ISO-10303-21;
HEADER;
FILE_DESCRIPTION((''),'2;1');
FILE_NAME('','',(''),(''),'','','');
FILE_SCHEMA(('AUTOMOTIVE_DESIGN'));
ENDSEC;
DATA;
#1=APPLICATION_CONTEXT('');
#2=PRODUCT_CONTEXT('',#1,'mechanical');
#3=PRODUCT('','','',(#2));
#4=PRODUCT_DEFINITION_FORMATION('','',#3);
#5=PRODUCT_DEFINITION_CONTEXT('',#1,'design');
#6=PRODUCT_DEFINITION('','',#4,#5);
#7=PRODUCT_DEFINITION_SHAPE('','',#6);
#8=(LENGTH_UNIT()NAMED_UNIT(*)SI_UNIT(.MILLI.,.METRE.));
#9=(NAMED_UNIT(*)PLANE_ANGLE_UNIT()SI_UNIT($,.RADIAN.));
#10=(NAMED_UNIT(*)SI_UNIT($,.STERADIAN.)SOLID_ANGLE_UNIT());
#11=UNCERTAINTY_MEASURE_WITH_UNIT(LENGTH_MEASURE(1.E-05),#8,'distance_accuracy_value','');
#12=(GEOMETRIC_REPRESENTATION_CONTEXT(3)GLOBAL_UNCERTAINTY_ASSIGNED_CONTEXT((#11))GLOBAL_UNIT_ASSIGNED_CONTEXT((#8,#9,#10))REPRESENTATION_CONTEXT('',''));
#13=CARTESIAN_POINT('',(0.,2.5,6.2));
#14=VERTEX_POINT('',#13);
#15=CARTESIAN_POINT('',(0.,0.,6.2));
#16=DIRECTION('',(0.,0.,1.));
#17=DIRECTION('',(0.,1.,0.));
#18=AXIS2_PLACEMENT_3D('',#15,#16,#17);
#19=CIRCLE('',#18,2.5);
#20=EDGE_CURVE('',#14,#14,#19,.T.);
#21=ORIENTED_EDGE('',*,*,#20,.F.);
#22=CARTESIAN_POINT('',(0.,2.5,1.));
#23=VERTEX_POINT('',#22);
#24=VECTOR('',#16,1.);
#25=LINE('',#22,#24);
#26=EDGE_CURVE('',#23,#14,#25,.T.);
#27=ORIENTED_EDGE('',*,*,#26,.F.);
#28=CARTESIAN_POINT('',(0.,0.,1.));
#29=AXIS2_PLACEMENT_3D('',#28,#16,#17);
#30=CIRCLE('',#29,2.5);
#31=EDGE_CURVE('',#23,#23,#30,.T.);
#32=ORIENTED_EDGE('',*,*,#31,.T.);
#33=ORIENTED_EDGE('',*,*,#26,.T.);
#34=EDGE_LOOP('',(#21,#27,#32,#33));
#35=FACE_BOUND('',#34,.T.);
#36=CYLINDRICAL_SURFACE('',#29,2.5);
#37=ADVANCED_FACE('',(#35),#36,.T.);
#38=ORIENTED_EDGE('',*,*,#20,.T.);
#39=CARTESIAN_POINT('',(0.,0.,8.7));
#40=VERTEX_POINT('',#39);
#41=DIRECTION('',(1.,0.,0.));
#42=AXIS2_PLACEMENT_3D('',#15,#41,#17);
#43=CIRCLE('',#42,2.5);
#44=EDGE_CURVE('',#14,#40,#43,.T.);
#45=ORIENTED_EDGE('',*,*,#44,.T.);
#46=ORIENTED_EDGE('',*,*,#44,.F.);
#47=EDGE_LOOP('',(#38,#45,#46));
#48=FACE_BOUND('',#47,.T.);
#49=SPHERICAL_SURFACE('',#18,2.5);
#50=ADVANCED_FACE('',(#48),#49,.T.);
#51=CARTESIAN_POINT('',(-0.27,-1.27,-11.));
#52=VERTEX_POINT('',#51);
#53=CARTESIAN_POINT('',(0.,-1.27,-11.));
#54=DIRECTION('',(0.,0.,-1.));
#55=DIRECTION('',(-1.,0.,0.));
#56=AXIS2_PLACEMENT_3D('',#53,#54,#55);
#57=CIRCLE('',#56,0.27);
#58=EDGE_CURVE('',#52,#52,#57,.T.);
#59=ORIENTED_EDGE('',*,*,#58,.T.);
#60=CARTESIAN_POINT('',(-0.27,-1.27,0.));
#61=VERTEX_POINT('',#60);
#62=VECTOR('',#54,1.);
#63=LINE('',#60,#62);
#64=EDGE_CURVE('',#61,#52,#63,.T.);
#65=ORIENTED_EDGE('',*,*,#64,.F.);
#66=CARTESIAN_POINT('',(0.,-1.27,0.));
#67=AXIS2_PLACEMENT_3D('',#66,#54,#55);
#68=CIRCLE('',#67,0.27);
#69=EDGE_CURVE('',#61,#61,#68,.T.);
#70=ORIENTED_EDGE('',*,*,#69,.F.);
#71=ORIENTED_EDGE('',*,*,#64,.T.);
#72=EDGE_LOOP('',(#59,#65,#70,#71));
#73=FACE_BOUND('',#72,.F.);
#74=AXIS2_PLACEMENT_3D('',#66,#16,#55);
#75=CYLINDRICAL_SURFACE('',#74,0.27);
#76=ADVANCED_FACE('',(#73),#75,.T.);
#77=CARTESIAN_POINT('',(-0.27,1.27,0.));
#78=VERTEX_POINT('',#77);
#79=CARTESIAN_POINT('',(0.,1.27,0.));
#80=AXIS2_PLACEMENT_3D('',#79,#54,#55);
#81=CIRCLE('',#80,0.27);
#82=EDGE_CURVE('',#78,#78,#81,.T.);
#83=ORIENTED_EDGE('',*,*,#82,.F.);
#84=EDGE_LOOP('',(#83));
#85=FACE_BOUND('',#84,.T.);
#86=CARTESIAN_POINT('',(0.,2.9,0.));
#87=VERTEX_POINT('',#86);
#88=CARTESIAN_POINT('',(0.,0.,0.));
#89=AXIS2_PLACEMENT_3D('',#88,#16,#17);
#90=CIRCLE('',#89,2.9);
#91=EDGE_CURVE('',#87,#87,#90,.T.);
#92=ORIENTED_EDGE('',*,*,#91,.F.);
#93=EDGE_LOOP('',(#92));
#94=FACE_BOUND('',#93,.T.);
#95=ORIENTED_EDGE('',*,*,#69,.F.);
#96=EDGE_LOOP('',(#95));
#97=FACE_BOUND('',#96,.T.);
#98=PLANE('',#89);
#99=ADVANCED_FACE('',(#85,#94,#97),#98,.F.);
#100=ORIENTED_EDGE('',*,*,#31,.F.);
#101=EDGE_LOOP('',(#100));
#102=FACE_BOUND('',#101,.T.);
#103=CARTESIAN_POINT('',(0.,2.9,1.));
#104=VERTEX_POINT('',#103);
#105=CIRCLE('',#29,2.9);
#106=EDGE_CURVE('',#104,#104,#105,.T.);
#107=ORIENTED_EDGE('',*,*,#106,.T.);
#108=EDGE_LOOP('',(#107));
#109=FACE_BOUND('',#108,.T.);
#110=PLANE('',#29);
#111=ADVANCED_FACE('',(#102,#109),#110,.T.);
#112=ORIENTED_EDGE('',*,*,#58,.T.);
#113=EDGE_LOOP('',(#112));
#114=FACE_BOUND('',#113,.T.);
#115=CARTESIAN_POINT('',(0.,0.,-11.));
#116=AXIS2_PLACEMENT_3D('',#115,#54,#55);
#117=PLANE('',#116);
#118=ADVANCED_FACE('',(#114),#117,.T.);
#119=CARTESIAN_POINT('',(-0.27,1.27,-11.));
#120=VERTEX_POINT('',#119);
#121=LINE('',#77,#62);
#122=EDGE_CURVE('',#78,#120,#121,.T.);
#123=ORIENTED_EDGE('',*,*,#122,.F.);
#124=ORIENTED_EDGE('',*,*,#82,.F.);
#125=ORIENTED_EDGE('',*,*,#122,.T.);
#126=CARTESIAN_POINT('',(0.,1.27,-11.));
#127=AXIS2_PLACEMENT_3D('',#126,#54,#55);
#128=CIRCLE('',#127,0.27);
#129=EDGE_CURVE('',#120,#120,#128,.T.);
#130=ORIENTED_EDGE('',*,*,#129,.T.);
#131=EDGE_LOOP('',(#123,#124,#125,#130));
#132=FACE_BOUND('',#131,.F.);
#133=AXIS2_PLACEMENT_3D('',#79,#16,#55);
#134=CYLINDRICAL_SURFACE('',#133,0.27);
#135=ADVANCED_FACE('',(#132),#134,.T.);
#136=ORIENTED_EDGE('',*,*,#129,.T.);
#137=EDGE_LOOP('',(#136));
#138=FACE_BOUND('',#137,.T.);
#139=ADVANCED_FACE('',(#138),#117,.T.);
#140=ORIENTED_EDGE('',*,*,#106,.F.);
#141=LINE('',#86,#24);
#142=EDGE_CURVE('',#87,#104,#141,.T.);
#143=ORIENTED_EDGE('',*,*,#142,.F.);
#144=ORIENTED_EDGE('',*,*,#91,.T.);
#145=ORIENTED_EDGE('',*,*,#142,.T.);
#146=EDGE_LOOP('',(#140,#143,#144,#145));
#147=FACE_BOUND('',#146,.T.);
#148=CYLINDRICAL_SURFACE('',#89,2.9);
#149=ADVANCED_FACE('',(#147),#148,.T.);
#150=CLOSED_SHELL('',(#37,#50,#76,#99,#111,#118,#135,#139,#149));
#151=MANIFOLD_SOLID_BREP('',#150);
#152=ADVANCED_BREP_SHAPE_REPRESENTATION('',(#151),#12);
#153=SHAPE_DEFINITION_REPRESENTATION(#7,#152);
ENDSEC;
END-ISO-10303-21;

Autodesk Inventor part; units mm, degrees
ref_plane "YZ Plane" through (0, 0, 0) normal (1, 0, 0) x (0, 1, 0)
ref_plane "XZ Plane" through (0, 0, 0) normal (0, 1, 0) x (-1, 0, 0)
ref_plane "XY Plane" through (0, 0, 0) normal (0, 0, 1) x (1, 0, 0)
sketch "Boceto40" plane through (0, 0, 0) normal (1, 0, 0) x (0, 1, 0)
  line L0 (0, 0) -> (0, 9.551)
  line L1 (0, 0) -> (2.9, 0)
  line L2 (2.9, 0) -> (2.9, 1)
  line L3 (2.9, 1) -> (2.5, 1)
  line L4 (2.5, 1) -> (2.5, 6.2)
  arc A0 (2.5, 6.2) -> (0, 8.7) centre (0, 6.2) ccw
  line L5 (0, 0) -> (0, 8.7)
  dimension "d373" = 5
  dimension "d374" = 5.8
  dimension "d375" = 1
  dimension "d376" = 7.7
revolve "Revolución14" add sketch "Boceto40" angle 360 about axis through (0, 0, 0) along (0, 0, 1)
sketch "Boceto41" plane through (0, 0, 0) normal (0, 0, -1) x (-1, 0, 0)
  circle A0 centre (0, 1.27) radius 0.27
  circle A1 centre (0, -1.27) radius 0.27
  point P0 (0, 0)
  dimension "d378" = 2.54
  dimension "d379" = 1.27
  dimension "d380" = 0.54
extrude "Extrusión13" add sketch "Boceto41" along normal blind 11
properties part number "LED_5MM_BLUE_9"
